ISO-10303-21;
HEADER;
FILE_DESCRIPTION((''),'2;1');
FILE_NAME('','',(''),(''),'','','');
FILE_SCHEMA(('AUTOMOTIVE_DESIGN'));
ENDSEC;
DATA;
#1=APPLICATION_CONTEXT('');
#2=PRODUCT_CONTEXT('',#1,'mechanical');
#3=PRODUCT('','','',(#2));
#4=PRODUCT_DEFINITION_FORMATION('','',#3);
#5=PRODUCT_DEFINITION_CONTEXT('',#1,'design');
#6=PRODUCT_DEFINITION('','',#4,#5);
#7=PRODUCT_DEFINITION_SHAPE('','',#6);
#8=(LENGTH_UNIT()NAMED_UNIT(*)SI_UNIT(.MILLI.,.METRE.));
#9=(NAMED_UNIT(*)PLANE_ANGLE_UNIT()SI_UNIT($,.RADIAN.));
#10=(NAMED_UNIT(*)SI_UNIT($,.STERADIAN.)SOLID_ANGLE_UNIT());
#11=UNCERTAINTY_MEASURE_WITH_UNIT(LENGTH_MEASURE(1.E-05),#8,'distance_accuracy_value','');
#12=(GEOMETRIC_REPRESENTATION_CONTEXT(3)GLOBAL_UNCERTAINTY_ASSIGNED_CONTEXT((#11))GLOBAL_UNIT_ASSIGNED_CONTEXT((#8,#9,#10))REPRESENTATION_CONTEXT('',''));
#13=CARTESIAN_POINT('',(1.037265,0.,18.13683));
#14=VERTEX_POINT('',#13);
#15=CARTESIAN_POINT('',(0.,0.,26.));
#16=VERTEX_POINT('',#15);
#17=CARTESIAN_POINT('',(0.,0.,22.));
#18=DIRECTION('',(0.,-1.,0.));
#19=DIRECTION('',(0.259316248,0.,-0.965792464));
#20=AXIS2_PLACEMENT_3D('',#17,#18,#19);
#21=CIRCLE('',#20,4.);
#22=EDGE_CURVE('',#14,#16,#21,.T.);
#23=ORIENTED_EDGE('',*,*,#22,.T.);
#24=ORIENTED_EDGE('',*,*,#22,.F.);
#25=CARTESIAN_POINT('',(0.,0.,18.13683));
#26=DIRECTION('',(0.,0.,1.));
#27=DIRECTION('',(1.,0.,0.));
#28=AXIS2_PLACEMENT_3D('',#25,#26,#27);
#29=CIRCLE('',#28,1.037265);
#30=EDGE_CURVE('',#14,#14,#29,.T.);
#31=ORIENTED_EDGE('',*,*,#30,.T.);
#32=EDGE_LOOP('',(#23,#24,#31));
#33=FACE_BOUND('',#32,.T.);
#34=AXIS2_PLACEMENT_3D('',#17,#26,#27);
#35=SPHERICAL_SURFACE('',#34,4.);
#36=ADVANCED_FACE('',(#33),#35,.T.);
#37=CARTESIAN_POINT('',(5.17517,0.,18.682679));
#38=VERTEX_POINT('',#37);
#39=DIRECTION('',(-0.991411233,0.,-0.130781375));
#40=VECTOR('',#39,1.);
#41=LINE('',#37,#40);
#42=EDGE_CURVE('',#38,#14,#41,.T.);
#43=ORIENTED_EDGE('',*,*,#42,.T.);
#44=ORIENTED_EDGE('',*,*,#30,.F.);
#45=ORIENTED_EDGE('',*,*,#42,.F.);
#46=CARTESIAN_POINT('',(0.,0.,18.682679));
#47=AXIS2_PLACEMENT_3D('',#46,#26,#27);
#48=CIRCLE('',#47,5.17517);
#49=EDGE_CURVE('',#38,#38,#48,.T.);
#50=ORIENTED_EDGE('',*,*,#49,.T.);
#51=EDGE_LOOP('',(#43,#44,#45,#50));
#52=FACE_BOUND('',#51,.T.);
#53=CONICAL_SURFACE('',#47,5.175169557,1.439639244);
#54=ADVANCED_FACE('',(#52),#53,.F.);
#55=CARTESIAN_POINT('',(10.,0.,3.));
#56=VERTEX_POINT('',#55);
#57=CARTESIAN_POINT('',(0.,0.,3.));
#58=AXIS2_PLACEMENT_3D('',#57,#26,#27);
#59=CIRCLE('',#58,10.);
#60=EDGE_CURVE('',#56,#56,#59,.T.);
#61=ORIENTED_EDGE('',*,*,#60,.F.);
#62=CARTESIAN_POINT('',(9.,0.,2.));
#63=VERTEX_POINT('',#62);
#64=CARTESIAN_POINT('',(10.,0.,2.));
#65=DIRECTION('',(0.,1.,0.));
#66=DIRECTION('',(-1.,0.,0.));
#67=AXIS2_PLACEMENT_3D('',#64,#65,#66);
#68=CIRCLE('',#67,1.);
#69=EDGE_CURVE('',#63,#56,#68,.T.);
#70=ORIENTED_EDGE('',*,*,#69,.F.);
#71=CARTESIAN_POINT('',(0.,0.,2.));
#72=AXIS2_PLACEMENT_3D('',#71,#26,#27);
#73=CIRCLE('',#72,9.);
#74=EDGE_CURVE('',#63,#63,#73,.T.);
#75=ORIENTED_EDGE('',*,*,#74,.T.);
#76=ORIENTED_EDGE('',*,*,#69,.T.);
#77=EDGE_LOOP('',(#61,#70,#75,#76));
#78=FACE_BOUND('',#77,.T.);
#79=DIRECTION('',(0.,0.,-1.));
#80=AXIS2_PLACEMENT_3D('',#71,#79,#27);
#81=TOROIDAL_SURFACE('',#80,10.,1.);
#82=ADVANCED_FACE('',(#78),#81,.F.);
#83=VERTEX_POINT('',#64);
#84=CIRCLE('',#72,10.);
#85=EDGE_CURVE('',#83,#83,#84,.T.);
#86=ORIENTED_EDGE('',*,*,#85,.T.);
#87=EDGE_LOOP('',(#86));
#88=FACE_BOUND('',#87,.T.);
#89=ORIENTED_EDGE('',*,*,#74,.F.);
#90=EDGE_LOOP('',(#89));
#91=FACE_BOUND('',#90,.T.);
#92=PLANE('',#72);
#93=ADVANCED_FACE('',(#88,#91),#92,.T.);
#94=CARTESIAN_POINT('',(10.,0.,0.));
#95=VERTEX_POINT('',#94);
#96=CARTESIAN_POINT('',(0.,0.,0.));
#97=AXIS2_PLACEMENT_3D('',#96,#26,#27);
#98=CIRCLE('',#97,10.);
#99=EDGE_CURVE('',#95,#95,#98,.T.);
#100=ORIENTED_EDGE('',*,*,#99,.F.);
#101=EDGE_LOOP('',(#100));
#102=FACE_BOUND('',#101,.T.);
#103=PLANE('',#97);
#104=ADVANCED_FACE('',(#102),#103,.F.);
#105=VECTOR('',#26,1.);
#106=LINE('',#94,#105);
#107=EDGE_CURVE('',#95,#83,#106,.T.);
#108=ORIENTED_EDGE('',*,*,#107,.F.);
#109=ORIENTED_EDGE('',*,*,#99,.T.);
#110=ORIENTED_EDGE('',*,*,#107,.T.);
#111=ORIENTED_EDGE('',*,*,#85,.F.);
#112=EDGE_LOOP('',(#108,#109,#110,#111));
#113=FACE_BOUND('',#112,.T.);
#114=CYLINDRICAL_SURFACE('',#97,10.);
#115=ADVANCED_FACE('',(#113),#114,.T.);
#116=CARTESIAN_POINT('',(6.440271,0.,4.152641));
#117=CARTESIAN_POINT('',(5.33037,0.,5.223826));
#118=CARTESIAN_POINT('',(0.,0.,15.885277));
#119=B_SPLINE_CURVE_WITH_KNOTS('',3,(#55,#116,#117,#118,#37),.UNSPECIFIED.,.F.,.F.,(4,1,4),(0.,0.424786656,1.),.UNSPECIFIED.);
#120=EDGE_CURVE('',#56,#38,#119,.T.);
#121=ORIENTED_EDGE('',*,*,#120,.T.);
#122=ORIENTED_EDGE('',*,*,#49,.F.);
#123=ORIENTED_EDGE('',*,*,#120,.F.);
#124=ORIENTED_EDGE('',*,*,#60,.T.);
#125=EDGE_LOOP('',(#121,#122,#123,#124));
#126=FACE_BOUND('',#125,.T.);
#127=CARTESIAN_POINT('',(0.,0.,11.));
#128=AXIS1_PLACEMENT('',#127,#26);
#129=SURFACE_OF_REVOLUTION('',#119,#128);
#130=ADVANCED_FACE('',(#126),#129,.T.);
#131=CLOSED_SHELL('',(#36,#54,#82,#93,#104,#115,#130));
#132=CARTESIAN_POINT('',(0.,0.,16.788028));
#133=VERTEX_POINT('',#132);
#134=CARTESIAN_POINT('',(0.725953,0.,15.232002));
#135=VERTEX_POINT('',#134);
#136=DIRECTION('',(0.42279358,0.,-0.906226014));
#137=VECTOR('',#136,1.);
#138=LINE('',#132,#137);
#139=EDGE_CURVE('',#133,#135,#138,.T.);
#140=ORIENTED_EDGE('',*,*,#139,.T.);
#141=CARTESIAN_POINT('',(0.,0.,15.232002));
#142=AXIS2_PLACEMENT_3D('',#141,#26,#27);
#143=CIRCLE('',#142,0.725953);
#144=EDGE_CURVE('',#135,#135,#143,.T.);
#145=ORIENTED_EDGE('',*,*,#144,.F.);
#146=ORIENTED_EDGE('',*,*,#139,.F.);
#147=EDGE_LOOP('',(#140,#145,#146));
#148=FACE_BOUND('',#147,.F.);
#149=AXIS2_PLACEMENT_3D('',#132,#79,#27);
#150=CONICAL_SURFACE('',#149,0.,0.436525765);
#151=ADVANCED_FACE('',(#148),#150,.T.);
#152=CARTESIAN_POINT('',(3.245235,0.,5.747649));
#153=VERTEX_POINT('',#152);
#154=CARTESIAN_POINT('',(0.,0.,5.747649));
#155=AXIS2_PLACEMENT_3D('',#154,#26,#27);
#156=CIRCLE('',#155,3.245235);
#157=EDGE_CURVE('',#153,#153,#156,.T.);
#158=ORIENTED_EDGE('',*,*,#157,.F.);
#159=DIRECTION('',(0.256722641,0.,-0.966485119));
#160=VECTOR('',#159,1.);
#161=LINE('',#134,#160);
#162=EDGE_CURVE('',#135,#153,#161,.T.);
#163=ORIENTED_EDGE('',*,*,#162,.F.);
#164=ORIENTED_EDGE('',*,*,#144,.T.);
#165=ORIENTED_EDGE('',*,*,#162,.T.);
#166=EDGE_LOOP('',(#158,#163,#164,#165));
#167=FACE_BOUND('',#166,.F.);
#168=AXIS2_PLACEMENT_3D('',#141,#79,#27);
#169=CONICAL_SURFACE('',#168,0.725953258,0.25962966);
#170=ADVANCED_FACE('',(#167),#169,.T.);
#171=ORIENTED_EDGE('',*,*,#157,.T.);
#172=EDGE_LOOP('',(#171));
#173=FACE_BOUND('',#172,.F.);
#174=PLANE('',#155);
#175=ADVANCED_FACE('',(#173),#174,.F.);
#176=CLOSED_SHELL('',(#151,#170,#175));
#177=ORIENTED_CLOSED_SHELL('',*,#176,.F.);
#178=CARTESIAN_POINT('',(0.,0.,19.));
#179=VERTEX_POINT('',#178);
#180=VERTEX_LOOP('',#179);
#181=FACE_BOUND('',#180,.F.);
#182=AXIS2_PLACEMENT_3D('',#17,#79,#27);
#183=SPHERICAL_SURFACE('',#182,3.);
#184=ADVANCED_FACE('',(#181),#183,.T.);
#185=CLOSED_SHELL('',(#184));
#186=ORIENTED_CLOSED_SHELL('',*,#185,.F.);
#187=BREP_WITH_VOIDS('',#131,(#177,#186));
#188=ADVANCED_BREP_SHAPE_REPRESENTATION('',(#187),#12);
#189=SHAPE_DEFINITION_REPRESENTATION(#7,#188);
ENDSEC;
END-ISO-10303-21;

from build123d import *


with BuildPart() as f1:
    # F0 (on Front) → F1 (revolve)
    with BuildSketch(Plane.XZ):
        with BuildLine():
            Line((1.0372649909, 18.1368301437), (0, 18))
            ThreePointArc((0, 18), (0.5231254987, 18.0343550698), (1.0372649909, 18.1368301437))
        make_face()
        with BuildLine():
            Line((0, 5.7476488873), (0, 0))
            Line((0, 0), (10, 0))
            Line((10, 0), (10, 2))
            Line((10, 2), (9, 2))
            ThreePointArc((9, 2), (9.2928932188, 2.7071067812), (10, 3))
            add(Edge.make_bspline(
                [(10, 3), (6.4402706101, 4.1526411873), (5.3303703916, 5.2238263359), (0, 15.8852770326), (5.1751695573, 18.6826791614)],
                knots=[0, 0, 0, 0, 0.4247866557, 1, 1, 1, 1], degree=3))
            Line((5.1751695573, 18.6826791614), (1.0372649909, 18.1368301437))
            ThreePointArc((1.0372649909, 18.1368301437), (0.5231254987, 18.0343550698), (0, 18))
            Line((0, 18), (0, 16.7880281806))
            Line((0, 16.7880281806), (0.7259532576, 15.2320023626))
            Line((0.7259532576, 15.2320023626), (3.2452349551, 5.7476488873))
            Line((3.2452349551, 5.7476488873), (0, 5.7476488873))
        make_face()
        with BuildLine():
            Line((0, 19), (0, 18))
            Line((0, 18), (1.0372649909, 18.1368301437))
            ThreePointArc((1.0372649909, 18.1368301437), (3.9656449302, 22.5231254987), (0, 26))
            Line((0, 26), (0, 25))
            ThreePointArc((0, 25), (3, 22), (0, 19))
        make_face()
    revolve(axis=Axis((0, 0, 11), (0, 0, 1)))


solid = f1.part
